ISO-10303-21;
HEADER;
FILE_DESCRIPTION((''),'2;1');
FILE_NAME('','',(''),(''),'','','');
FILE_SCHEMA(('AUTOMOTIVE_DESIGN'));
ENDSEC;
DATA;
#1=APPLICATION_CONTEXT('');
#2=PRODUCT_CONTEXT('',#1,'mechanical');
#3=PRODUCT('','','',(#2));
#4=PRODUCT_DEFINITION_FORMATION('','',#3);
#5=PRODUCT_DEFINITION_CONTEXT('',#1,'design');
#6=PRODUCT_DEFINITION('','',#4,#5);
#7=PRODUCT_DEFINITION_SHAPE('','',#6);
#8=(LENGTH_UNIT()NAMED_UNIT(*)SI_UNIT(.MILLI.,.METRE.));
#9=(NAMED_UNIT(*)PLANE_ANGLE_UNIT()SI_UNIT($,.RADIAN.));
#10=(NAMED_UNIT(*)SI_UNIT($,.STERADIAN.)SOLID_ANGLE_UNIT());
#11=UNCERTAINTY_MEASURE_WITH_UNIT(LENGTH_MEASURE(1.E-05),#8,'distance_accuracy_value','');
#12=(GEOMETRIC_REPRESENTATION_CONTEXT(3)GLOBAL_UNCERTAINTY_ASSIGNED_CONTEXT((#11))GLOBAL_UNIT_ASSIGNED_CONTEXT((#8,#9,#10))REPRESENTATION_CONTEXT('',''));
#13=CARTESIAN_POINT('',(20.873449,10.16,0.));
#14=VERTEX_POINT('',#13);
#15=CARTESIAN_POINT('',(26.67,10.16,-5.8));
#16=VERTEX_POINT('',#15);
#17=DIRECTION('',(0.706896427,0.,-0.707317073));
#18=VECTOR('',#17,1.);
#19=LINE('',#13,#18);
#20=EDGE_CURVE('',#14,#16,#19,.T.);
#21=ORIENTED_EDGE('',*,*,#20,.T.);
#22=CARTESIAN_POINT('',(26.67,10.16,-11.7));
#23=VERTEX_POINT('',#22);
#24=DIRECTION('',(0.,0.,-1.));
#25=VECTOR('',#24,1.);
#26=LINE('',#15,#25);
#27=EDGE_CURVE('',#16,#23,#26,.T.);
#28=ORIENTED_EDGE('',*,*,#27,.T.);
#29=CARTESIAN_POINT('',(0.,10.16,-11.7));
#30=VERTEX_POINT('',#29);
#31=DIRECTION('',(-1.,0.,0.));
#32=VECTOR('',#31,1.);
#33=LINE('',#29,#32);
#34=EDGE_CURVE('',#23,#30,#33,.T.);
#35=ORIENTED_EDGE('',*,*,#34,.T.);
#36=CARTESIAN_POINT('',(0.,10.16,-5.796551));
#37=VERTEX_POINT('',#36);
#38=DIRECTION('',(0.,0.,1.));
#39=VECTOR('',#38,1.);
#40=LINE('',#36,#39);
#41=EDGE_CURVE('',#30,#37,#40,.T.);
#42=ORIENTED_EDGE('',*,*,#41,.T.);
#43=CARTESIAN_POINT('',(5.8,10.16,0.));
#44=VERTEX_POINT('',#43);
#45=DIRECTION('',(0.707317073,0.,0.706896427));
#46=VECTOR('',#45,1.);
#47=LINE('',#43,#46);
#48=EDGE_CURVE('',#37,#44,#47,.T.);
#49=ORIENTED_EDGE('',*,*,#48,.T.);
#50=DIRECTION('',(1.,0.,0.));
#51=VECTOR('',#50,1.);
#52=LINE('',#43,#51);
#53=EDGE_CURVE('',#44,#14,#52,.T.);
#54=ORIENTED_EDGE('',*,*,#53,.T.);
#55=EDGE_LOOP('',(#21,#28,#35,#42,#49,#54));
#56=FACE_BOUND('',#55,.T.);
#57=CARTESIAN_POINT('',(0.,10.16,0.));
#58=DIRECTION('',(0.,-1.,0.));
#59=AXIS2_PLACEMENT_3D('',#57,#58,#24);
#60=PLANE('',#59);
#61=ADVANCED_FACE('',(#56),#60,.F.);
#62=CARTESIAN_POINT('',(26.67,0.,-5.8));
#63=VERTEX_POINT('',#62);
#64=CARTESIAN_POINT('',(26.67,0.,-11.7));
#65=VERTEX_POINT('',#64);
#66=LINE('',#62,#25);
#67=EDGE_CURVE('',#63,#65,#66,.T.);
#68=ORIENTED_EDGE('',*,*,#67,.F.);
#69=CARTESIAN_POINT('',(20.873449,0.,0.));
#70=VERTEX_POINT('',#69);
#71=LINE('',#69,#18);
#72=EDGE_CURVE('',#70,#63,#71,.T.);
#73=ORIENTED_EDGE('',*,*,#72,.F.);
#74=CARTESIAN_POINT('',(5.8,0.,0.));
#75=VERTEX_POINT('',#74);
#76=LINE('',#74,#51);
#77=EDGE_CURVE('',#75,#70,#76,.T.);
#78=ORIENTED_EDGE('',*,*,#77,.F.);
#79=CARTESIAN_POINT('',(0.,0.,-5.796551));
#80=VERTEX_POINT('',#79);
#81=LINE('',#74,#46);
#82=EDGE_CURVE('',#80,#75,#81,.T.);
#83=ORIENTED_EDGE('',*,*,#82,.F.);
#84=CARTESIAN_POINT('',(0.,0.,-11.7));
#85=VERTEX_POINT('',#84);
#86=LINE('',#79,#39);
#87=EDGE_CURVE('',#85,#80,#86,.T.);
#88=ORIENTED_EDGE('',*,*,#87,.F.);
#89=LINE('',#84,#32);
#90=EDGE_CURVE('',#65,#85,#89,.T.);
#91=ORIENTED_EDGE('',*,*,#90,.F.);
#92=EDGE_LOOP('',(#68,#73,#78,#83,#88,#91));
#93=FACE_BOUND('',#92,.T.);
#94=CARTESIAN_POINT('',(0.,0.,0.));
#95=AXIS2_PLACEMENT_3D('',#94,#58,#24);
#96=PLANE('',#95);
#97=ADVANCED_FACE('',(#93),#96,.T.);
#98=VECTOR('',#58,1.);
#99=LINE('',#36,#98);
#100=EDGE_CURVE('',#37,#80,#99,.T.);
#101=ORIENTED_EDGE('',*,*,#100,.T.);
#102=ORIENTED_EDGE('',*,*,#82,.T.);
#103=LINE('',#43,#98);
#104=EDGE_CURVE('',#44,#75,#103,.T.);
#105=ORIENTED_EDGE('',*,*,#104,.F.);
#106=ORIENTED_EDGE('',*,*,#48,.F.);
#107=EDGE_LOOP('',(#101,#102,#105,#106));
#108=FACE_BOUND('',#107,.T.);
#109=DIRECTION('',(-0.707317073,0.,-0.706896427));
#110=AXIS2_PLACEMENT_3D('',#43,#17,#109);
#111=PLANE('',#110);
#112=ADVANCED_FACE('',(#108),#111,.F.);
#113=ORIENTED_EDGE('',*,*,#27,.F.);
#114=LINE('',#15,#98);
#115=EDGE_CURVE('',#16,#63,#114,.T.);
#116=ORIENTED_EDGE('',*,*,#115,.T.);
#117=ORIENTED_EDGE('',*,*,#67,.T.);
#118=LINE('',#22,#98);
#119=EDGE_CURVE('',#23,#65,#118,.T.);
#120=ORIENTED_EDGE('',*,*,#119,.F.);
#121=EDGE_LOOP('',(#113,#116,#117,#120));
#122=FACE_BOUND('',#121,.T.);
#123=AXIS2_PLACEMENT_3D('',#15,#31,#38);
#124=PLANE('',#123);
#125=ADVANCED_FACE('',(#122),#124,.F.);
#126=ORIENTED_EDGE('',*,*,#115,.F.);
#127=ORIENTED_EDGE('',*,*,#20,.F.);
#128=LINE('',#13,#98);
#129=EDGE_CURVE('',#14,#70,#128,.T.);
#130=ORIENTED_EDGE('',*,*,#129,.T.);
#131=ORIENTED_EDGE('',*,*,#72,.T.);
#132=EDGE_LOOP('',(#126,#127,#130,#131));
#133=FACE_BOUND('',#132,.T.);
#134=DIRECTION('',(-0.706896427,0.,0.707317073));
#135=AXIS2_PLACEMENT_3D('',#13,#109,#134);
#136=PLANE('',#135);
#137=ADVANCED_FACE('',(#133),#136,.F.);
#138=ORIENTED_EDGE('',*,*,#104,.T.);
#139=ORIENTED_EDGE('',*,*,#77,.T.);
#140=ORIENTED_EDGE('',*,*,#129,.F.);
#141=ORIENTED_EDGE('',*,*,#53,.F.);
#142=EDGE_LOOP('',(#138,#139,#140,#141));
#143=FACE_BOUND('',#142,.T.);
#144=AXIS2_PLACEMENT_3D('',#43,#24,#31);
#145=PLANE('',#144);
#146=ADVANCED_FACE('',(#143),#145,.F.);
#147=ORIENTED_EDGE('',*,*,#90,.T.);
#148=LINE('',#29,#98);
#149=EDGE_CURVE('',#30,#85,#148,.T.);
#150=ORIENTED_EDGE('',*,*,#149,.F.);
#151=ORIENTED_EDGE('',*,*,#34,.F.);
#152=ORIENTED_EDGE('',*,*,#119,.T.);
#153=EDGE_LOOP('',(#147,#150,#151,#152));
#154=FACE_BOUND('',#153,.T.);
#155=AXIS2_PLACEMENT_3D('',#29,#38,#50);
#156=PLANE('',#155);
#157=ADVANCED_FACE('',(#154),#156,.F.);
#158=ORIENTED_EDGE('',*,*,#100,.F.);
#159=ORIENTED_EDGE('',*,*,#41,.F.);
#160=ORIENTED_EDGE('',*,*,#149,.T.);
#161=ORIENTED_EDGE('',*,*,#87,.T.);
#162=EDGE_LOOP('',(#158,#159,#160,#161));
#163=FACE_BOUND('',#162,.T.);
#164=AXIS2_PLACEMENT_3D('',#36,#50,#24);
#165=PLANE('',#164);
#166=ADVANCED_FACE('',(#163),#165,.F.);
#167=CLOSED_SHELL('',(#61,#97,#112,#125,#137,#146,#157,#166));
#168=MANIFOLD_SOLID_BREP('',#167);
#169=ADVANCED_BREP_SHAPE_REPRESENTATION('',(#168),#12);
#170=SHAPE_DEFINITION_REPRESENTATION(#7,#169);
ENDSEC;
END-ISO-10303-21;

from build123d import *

# Parameters (mm, degrees)
RESSALTO_EXTRUS_O1_DEPTH = 10.16


with BuildPart() as part:
    # Esboço1 → Ressalto-extrusão1 (new body)
    with BuildSketch(Plane(origin=(0, 0, 0), x_dir=(1, 0, 0), z_dir=(0, 1, 0))):
        Polygon((20.873449302, 0), (26.67, 5.8), (26.67, 11.7), (0, 11.7), (0, 5.796550698), (5.8, 0), align=None)
    extrude(amount=RESSALTO_EXTRUS_O1_DEPTH)


solid = part.part
